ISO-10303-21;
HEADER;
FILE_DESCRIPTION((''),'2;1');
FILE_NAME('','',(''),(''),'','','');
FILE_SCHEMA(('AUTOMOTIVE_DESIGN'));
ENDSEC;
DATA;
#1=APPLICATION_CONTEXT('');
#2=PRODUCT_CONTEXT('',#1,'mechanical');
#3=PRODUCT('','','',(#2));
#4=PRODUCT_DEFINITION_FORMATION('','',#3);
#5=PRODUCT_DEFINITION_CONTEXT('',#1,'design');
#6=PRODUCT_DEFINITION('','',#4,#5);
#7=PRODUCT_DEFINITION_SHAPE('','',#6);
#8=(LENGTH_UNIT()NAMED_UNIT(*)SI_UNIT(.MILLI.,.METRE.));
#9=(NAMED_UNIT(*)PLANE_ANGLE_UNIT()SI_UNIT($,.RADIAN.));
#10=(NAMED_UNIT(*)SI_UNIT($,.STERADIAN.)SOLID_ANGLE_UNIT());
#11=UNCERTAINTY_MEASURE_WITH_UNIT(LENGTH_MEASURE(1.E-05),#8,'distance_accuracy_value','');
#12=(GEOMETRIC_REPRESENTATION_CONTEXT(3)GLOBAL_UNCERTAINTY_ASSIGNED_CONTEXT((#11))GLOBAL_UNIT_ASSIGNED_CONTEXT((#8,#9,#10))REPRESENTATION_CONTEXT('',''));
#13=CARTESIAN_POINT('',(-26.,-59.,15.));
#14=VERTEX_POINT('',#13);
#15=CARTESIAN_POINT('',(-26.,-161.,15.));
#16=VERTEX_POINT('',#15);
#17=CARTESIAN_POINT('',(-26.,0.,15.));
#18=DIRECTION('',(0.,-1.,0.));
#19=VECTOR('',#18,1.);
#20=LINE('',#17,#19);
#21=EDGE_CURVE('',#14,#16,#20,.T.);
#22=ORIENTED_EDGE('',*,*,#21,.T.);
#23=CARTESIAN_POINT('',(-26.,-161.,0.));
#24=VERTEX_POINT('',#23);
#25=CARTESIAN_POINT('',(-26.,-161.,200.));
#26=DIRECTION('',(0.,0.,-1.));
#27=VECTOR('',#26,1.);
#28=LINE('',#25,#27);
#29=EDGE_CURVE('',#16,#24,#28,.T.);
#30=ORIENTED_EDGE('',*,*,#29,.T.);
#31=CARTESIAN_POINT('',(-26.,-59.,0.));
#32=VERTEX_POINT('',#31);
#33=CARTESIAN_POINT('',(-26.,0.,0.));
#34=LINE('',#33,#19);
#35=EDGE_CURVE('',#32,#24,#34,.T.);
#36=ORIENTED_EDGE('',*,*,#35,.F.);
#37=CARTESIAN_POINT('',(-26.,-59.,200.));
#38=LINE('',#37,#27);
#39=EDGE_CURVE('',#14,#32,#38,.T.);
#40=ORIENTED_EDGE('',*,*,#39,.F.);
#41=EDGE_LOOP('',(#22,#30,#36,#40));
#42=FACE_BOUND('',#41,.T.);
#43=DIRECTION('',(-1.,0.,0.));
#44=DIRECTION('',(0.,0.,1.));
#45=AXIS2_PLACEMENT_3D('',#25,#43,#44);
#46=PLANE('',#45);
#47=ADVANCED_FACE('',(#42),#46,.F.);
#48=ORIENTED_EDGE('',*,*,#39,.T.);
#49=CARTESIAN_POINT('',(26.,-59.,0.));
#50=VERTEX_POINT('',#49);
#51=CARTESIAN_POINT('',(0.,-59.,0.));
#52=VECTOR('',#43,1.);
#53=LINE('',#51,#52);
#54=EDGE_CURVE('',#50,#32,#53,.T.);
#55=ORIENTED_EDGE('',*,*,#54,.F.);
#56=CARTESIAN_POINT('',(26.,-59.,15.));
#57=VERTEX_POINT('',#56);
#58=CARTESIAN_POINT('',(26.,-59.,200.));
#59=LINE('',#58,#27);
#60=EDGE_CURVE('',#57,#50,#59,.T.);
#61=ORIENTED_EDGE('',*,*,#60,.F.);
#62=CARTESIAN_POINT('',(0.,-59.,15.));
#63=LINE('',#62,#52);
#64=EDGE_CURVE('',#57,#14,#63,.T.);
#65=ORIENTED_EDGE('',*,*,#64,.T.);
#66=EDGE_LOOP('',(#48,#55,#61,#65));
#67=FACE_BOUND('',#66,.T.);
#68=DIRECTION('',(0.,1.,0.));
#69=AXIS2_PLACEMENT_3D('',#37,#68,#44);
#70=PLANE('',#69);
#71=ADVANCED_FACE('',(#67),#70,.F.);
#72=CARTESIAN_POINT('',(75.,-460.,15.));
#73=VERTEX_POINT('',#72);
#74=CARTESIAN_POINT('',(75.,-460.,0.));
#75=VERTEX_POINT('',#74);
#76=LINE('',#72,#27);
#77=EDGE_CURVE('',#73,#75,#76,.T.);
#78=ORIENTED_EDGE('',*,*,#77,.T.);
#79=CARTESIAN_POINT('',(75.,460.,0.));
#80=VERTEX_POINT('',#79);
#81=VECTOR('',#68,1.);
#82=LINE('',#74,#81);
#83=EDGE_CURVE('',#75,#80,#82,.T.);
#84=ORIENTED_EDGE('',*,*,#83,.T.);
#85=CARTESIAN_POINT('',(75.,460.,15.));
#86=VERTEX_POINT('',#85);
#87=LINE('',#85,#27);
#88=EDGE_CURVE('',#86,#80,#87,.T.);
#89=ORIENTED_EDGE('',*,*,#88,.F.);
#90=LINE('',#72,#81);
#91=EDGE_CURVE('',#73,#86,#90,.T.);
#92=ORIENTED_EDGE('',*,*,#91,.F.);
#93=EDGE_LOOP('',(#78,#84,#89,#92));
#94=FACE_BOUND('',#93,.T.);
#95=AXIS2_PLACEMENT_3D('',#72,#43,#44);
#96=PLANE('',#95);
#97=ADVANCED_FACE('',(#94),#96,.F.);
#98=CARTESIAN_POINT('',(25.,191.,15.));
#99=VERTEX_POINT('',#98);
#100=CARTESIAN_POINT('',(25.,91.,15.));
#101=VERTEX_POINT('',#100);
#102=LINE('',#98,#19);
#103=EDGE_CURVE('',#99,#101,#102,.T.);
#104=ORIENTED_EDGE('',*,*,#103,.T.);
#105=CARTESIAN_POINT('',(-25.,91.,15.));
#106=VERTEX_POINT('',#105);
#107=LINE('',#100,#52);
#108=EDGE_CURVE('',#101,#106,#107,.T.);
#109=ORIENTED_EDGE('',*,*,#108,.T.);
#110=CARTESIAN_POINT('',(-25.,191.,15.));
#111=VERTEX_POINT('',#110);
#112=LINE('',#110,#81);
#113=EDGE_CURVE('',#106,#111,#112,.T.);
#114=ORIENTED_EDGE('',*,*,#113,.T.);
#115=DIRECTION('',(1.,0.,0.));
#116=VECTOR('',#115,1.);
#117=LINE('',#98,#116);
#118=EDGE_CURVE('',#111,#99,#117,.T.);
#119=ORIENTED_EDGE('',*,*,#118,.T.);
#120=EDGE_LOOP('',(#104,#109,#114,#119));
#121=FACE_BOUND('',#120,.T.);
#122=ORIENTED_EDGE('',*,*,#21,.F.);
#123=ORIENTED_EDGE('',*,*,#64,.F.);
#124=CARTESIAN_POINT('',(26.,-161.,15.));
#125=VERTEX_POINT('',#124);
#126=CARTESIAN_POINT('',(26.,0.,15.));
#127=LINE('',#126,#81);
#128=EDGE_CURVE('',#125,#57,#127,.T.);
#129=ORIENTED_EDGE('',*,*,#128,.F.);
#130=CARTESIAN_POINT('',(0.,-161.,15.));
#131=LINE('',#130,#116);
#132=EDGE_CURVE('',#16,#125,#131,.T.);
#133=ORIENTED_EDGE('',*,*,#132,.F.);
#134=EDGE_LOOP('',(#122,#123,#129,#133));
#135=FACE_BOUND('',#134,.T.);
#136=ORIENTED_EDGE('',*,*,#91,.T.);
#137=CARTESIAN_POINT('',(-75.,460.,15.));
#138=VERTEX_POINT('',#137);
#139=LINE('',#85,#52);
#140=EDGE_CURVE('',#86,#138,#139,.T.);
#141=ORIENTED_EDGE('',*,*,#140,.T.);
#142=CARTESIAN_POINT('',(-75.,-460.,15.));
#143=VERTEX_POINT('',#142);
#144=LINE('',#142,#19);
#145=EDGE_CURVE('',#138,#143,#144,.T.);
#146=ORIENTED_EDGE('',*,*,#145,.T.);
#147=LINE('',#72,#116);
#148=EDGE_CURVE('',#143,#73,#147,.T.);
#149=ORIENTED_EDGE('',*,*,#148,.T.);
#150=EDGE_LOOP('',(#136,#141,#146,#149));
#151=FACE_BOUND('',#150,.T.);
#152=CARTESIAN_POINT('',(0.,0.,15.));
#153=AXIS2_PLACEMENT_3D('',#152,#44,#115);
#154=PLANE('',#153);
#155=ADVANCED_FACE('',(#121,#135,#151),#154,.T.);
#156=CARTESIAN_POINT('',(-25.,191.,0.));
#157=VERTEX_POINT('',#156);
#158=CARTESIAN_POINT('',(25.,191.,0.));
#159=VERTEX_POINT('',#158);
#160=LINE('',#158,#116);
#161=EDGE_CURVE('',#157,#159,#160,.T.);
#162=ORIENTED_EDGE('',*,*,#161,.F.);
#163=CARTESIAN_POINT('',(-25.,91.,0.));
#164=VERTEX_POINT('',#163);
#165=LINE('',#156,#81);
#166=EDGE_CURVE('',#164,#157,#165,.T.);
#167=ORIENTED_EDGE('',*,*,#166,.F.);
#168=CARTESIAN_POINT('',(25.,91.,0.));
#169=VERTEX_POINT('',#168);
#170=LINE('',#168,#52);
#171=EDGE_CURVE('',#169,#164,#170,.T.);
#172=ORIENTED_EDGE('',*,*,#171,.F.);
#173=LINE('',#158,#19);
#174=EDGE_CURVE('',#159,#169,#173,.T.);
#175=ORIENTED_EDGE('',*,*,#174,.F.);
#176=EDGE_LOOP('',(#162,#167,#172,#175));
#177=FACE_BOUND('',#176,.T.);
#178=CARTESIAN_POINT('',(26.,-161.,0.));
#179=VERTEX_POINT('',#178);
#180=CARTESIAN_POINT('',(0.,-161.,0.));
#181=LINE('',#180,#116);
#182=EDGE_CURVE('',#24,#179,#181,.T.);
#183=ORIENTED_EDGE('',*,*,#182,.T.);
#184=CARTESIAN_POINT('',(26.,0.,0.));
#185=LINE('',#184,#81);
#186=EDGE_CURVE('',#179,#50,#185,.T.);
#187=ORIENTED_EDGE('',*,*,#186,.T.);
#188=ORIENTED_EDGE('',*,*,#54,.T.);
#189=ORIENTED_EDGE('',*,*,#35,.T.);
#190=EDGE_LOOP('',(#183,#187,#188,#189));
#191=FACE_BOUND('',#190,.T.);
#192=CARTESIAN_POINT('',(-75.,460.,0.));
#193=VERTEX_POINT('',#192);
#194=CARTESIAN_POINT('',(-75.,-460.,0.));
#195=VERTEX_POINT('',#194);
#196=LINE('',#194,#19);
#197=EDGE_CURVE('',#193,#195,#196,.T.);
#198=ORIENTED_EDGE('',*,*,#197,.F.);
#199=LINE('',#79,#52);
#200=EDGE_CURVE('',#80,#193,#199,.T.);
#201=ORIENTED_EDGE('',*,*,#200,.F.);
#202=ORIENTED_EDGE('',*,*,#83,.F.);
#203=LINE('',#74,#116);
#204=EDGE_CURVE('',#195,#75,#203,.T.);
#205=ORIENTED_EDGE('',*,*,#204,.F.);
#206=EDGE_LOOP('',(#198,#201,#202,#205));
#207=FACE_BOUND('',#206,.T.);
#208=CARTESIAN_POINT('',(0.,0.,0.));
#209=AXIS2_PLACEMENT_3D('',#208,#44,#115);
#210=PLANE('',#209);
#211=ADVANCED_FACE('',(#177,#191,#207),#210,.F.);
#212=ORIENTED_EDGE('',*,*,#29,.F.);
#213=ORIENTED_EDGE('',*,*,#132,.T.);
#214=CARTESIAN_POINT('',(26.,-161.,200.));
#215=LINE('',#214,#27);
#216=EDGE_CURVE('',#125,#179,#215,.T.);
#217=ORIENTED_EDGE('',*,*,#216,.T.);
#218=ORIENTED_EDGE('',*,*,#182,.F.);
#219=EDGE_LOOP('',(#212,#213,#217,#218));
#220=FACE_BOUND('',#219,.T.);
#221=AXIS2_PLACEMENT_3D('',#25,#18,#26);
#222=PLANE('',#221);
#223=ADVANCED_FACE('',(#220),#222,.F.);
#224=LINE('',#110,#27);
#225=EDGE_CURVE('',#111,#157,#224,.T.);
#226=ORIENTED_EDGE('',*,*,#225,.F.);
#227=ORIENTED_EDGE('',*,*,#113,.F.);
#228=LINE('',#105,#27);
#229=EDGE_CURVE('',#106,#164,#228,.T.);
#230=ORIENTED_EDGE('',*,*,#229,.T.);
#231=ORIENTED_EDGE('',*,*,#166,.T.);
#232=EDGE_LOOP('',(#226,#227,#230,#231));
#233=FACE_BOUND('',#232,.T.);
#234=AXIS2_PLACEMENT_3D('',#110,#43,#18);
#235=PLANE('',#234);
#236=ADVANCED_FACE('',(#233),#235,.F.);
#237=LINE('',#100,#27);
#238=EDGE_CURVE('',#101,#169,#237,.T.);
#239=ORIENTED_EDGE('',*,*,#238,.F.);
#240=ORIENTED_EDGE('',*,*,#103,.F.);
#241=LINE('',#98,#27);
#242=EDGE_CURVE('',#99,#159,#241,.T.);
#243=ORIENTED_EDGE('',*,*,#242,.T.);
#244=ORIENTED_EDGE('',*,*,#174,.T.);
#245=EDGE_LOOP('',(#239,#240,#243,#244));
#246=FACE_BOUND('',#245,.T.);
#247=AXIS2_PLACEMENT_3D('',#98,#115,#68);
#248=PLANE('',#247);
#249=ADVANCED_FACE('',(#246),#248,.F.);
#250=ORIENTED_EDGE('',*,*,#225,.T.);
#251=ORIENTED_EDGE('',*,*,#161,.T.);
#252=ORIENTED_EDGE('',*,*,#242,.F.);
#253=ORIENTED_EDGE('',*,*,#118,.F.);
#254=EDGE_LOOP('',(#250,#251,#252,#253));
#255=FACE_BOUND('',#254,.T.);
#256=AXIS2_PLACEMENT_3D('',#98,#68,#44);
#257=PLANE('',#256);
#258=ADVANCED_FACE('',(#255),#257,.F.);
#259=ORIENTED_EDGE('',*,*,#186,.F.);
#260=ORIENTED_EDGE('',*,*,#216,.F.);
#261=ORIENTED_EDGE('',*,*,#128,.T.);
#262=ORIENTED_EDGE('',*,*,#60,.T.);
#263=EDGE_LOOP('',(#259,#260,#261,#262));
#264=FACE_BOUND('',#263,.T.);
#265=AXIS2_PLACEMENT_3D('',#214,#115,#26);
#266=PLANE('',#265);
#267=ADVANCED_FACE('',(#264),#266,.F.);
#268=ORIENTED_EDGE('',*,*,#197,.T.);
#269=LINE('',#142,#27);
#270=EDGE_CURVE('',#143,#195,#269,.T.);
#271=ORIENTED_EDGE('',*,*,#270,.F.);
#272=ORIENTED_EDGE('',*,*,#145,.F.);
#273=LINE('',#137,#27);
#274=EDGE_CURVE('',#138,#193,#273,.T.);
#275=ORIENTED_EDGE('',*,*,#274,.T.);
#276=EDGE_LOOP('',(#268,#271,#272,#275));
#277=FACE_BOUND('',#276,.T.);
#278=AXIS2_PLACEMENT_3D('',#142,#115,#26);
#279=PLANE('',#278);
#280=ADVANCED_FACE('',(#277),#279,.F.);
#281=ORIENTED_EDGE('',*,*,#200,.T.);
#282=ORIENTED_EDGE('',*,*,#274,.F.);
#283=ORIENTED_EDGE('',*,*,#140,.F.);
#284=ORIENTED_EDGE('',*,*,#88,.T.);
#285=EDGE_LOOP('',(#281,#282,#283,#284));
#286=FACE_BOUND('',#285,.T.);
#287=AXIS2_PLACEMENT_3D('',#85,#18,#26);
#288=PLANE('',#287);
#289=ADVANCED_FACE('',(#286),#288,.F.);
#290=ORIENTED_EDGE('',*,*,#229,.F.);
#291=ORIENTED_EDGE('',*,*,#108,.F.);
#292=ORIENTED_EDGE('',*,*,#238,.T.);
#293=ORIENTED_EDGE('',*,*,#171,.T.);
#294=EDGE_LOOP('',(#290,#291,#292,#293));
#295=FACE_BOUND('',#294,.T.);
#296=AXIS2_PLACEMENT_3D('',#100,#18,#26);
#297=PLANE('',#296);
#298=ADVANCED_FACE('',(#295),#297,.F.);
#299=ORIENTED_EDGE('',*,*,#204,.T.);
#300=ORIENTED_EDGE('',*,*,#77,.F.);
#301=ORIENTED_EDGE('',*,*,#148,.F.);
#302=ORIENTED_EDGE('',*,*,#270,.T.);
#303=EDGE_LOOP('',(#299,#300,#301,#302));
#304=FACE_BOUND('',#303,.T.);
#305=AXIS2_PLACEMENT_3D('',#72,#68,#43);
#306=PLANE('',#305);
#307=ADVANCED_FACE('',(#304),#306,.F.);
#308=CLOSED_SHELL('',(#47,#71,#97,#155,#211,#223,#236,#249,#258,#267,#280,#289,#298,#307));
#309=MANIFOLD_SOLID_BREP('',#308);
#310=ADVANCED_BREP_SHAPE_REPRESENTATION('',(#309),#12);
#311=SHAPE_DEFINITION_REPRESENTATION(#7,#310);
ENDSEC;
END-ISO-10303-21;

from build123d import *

# Parameters (mm, degrees)
CROQUIS1_W              = 150
CROQUIS1_H              = 920
SALIENTE_EXTRUIR1_DEPTH = 15
CROQUIS3_W              = 52
CROQUIS3_H              = 102
CORTAR_EXTRUIR1_DEPTH   = 200
CROQUIS7_W              = 50
CROQUIS7_H              = 100
CORTAR_EXTRUIR2_DEPTH   = 467.315343947


with BuildPart() as part:
    # Croquis1 → Saliente-Extruir1 (new body)
    with BuildSketch(Plane.XY):
        Rectangle(CROQUIS1_W, CROQUIS1_H)
    extrude(amount=SALIENTE_EXTRUIR1_DEPTH)

    # Croquis3 → Cortar-Extruir1 (cut, symmetric)
    with BuildSketch(Plane(origin=(0, 0, 0), x_dir=(-1, 0, 0), z_dir=(0, 0, -1))):
        with Locations((0, -110)):
            Rectangle(CROQUIS3_W, CROQUIS3_H)
    extrude(amount=CORTAR_EXTRUIR1_DEPTH, both=True, mode=Mode.SUBTRACT)

    # Croquis7 → Cortar-Extruir2 (cut, through all)
    with BuildSketch(Plane(origin=(0, 0, 0), x_dir=(-1, 0, 0), z_dir=(0, 0, -1))):
        with Locations((0, 141)):
            Rectangle(CROQUIS7_W, CROQUIS7_H)
    extrude(amount=-CORTAR_EXTRUIR2_DEPTH, mode=Mode.SUBTRACT)


solid = part.part
